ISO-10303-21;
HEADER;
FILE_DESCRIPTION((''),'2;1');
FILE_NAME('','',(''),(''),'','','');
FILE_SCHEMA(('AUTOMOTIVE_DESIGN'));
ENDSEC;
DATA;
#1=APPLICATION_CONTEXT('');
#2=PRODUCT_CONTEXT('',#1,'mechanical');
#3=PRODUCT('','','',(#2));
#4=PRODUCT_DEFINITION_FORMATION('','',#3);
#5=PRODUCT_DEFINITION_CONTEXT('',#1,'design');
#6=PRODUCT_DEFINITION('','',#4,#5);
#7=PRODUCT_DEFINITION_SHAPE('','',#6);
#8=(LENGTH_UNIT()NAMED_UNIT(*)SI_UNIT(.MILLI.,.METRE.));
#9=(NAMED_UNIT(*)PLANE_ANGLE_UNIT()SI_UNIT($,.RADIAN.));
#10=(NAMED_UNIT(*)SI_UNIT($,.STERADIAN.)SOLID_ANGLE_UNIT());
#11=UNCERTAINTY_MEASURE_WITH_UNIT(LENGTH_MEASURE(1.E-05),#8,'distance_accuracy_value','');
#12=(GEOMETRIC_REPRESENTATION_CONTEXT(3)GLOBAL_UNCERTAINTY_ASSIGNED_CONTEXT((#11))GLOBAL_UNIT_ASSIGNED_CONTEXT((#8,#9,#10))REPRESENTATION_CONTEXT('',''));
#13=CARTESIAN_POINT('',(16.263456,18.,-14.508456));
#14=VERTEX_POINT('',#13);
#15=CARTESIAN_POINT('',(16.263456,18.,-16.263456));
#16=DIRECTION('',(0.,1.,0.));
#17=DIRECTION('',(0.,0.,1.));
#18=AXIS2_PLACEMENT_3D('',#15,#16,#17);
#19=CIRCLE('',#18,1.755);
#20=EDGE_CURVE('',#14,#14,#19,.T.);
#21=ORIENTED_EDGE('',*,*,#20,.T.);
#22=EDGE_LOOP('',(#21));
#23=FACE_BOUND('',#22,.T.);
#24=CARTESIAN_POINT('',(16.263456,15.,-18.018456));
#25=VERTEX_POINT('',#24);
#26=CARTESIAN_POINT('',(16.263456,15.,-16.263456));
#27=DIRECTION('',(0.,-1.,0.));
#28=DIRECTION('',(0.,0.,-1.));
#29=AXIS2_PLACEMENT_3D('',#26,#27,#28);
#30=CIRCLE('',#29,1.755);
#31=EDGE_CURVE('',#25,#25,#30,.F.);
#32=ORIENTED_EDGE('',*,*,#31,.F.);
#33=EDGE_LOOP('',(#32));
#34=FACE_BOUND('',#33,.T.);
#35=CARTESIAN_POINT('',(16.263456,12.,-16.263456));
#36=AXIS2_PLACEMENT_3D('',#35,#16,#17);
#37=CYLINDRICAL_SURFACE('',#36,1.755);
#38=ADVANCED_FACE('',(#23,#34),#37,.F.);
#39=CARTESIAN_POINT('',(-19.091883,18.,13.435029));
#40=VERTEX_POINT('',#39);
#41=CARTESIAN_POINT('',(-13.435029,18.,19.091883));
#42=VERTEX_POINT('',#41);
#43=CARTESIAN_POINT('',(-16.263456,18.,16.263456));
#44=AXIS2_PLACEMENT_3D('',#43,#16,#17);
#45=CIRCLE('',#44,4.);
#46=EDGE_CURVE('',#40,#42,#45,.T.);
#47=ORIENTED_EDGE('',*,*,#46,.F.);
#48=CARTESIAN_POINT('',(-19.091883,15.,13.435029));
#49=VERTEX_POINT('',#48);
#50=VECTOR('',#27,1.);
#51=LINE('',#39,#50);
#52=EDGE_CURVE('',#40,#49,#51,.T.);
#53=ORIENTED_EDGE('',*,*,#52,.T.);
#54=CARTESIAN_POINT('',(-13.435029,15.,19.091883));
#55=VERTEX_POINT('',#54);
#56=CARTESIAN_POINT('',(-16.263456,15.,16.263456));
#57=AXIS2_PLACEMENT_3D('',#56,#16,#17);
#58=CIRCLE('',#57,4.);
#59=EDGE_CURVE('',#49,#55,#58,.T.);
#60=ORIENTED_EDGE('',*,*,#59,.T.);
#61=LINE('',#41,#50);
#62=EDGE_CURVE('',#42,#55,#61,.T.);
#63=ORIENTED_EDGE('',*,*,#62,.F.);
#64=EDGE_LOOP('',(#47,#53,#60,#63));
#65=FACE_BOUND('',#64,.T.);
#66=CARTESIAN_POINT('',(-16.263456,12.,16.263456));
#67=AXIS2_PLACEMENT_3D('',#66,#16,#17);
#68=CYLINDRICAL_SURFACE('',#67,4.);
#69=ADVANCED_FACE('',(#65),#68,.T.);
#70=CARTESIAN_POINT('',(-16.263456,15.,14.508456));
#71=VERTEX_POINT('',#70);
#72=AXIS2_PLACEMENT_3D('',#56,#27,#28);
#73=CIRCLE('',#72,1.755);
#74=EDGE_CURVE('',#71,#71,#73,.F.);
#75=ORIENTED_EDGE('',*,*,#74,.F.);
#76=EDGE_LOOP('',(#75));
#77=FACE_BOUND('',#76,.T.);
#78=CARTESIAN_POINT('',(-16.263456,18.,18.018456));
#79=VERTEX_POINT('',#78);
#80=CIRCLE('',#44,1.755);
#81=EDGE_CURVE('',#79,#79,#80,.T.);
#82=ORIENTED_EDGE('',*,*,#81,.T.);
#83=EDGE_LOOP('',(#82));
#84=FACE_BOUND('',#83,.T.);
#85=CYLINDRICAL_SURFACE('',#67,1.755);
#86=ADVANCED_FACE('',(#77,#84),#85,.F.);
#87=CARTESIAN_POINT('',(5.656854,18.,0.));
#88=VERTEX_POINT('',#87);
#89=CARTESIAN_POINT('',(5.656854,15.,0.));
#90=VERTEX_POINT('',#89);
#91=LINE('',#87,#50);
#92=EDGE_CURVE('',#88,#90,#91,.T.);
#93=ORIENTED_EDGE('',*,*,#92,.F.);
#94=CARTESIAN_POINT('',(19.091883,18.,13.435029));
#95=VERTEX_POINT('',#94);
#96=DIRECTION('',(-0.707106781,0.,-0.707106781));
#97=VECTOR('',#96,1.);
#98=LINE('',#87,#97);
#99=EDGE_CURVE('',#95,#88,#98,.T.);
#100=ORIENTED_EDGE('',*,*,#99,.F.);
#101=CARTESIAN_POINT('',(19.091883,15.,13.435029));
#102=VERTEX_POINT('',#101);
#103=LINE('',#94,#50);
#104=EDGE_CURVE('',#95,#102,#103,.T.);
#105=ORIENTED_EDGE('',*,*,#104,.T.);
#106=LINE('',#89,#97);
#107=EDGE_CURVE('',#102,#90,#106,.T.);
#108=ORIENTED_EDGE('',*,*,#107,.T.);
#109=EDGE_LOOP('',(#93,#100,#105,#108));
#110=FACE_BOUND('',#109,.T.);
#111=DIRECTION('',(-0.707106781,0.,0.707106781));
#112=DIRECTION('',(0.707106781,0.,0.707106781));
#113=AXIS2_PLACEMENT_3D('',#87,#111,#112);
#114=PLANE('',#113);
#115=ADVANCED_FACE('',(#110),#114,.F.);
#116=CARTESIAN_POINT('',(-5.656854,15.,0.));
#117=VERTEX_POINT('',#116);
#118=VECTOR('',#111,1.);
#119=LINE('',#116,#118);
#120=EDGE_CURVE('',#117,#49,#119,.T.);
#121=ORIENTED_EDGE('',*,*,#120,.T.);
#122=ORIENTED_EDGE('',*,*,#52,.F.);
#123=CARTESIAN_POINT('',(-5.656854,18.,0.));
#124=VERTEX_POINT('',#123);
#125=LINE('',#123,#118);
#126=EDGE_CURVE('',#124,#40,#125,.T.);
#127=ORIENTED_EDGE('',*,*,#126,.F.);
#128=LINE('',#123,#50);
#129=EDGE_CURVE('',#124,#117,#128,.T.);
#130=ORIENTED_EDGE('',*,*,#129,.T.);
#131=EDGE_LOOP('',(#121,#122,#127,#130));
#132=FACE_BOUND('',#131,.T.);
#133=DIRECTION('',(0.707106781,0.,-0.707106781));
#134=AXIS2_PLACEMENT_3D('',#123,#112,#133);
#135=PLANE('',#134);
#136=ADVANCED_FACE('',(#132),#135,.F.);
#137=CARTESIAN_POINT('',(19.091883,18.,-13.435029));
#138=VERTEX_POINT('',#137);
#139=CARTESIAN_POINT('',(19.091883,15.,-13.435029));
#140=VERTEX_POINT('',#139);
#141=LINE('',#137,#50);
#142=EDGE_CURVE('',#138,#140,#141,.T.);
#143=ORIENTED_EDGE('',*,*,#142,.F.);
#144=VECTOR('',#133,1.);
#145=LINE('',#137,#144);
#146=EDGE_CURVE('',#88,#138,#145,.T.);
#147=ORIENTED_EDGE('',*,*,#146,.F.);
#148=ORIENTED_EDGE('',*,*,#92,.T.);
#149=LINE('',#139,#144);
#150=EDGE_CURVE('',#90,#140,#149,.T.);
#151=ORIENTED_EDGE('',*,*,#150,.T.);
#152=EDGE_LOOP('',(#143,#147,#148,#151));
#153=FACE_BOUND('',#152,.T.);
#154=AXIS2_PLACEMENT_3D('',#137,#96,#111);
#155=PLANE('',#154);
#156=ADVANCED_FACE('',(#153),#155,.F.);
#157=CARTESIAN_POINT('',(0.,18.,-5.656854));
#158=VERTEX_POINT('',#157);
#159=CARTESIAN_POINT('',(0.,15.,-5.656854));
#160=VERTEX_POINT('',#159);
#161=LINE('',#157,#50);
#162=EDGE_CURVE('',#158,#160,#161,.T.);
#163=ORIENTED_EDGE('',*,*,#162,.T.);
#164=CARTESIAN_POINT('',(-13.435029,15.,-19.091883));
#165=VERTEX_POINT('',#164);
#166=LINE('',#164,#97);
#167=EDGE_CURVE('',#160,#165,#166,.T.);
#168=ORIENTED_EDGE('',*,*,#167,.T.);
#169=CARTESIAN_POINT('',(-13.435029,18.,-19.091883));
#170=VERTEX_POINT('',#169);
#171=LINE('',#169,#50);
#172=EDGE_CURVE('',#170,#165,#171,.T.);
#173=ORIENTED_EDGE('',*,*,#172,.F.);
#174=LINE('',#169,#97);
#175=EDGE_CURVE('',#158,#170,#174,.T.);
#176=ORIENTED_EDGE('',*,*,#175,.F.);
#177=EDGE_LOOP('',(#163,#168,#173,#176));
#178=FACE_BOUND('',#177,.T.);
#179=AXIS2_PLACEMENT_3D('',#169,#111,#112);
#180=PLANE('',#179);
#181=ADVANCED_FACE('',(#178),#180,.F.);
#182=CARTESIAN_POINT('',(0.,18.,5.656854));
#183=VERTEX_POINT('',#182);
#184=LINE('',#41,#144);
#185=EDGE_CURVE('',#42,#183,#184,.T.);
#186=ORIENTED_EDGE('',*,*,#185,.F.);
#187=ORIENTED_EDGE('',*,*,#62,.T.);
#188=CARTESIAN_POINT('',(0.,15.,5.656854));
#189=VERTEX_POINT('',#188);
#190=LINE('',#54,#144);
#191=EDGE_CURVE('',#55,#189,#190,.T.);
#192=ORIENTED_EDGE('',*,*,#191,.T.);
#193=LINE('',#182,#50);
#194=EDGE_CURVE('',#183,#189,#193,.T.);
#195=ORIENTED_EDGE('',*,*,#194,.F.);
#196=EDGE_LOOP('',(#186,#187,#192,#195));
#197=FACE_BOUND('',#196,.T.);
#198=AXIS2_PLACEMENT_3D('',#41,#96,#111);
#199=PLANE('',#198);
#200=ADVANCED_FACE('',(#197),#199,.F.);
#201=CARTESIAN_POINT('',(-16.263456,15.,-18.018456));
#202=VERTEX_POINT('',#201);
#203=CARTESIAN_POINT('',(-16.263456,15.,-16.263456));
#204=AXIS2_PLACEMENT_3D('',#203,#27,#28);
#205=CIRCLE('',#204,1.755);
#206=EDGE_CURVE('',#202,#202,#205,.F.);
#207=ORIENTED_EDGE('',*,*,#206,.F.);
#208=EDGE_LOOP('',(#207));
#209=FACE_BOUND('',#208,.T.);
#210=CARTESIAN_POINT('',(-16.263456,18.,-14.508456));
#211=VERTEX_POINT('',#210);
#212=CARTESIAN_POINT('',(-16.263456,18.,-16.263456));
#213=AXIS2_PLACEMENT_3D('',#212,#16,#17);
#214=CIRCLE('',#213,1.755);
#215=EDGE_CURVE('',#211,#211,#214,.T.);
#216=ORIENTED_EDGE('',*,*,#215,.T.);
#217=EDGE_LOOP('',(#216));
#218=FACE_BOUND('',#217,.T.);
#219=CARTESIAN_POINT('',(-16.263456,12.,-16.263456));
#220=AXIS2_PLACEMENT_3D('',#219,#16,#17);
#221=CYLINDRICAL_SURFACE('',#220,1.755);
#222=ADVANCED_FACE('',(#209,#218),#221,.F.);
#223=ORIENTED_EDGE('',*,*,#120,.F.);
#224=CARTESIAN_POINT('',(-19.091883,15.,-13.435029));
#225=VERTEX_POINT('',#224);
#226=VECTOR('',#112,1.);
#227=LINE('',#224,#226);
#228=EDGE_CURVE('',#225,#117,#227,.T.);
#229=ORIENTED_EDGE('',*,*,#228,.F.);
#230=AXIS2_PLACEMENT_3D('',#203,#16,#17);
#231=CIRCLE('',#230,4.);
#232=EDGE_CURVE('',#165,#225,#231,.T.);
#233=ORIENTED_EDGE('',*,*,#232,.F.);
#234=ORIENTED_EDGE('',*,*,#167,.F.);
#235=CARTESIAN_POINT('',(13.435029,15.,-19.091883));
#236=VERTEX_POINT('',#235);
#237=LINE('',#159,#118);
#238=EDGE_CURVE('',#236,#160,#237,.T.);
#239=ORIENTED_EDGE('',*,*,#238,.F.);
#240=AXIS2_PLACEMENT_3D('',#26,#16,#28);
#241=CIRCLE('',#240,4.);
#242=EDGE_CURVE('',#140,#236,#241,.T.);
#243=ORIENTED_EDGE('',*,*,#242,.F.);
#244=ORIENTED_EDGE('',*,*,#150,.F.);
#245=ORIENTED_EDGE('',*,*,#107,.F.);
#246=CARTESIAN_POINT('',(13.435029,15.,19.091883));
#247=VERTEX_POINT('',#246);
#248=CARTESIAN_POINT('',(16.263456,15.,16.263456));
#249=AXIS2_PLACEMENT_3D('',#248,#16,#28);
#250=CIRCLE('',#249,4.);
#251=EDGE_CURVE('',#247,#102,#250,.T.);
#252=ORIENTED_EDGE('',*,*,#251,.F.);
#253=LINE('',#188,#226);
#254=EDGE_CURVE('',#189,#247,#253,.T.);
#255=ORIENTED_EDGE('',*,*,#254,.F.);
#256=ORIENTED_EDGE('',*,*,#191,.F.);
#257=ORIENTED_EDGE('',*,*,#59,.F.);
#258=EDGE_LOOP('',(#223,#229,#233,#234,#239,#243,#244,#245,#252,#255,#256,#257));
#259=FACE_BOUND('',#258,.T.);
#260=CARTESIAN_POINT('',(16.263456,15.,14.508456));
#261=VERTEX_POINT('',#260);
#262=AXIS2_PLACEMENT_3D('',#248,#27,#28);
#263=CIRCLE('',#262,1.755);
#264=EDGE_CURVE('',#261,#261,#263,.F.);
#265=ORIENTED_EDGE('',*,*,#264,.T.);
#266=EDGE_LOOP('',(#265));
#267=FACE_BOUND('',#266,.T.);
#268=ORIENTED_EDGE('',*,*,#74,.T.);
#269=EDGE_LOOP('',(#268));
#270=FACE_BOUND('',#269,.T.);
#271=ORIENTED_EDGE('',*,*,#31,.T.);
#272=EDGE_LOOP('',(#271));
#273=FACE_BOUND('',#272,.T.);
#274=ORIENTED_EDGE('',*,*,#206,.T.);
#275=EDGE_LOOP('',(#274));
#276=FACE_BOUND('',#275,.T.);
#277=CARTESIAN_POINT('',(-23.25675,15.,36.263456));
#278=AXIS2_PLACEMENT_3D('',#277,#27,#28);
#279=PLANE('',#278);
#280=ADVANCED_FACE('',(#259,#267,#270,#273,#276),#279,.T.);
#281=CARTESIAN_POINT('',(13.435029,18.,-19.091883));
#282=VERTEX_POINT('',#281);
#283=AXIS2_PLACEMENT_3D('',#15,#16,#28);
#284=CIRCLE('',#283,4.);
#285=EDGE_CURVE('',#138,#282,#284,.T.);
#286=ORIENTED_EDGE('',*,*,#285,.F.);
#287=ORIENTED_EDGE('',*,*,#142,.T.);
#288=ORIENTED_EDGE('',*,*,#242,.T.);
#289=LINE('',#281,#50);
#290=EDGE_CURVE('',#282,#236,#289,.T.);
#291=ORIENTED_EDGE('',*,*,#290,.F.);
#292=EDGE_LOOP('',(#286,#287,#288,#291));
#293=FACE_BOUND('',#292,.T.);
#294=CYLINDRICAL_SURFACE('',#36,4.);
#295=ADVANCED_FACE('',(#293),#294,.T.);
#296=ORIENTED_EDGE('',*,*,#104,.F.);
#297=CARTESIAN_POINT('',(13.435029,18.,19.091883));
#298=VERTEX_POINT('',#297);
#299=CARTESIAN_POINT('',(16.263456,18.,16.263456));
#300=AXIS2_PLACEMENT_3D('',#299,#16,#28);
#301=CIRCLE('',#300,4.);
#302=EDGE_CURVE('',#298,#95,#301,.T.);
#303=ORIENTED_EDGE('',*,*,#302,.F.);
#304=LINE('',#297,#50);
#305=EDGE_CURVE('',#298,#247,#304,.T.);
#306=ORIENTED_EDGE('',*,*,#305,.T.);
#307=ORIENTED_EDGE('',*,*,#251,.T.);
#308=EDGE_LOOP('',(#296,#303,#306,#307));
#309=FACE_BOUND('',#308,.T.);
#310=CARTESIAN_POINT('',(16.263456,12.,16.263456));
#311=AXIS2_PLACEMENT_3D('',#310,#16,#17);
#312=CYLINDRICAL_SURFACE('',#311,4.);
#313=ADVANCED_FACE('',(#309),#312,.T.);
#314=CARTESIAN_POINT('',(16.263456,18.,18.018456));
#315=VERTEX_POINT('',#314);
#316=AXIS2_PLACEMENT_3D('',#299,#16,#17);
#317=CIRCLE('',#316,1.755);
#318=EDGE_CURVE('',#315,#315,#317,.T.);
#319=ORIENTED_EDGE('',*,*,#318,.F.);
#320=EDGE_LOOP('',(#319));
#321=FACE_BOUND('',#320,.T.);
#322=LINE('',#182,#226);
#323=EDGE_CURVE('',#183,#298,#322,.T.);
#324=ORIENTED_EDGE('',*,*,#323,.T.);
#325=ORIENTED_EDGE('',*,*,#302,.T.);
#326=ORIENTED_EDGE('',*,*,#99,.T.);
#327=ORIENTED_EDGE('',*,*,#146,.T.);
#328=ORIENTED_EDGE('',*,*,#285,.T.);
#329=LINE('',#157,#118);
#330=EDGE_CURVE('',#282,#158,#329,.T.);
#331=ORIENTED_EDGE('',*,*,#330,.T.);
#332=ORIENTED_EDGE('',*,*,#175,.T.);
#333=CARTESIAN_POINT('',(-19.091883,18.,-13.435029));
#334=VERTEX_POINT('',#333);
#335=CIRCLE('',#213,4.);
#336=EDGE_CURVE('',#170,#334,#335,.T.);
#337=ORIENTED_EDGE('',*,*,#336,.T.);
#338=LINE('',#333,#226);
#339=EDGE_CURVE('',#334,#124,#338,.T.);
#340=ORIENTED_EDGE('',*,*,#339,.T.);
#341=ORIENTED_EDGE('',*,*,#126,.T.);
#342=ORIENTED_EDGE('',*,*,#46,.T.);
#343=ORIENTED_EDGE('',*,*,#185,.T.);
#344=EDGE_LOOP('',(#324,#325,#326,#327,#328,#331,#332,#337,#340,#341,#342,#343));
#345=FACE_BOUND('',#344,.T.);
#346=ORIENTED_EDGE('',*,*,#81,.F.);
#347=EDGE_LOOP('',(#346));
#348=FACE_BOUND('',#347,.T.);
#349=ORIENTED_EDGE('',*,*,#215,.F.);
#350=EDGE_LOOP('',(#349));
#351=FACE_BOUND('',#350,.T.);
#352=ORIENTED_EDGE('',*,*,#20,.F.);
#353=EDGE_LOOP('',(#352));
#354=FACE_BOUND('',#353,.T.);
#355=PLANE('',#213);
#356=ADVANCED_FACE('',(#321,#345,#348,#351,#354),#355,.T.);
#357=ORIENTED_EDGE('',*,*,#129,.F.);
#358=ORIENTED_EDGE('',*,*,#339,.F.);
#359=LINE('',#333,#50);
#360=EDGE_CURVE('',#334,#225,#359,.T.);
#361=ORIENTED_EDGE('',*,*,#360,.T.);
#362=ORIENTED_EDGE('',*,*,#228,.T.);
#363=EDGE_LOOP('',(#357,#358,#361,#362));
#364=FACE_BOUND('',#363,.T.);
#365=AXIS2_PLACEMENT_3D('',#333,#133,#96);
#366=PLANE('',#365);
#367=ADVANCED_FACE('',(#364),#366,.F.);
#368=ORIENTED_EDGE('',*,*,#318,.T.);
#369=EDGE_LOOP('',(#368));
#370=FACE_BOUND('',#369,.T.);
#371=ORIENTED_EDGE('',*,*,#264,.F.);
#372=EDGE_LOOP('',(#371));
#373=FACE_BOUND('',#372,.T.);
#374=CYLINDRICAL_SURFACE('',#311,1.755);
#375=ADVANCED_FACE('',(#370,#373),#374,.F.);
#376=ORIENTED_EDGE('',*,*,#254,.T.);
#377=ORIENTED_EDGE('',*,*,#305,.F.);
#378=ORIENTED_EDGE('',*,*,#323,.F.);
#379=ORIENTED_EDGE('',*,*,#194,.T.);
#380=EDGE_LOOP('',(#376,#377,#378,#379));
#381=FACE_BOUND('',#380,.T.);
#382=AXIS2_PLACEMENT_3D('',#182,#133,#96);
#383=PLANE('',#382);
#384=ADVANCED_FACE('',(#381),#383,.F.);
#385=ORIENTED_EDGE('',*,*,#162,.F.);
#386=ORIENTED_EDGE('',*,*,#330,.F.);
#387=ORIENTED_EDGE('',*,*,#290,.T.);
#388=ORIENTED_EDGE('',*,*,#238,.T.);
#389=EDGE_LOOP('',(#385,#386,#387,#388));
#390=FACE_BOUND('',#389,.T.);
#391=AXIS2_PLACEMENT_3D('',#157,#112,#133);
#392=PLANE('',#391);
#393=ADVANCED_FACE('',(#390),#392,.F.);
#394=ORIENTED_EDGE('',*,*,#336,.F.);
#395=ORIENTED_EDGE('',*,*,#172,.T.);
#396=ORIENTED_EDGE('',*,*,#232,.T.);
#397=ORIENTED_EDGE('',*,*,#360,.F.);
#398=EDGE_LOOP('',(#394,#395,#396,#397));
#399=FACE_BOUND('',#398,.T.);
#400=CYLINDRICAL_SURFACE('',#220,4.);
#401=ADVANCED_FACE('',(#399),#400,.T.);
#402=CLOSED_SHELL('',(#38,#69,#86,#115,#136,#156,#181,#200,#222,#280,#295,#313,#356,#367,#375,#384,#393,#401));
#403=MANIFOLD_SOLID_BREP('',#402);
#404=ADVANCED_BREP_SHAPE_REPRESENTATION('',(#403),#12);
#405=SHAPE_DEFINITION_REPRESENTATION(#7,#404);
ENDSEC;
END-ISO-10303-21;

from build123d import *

# Parameters (mm, degrees)
SKETCH1_R                = 11.9
SKETCH1_R_2              = 9.9
BOSS_EXTRUDE3_DEPTH      = 15
SKETCH4_R                = 9.9
BOSS_EXTRUDE4_DEPTH      = 5.1
BOSS_EXTRUDE8_START      = -3
SKETCH12_R               = 19
SKETCH12_R_2             = 11.9
BOSS_EXTRUDE8_DEPTH      = 3
SKETCH14_R               = 1.755
CUT_EXTRUDE4_DEPTH       = 3
CUT_EXTRUDE5_DEPTH       = 25
CUT_EXTRUDE5_DEPTH_BACK  = 20
SKETCH15_W               = 38
SKETCH15_H               = 16.079993569
BOSS_EXTRUDE9_START      = -3
SKETCH16_R               = 9.9
BOSS_EXTRUDE9_DEPTH      = 3
BOSS_EXTRUDE10_START     = -3
SKETCH17_W               = 40
SKETCH17_H               = 40
SKETCH17_R               = 19
BOSS_EXTRUDE10_DEPTH     = 3
SKETCH20_W               = 60
SKETCH20_H               = 60
SKETCH20_W_2             = 40
SKETCH20_H_2             = 40
BOSS_EXTRUDE11_DEPTH     = 3
SKETCH21_R               = 1.755
CUT_EXTRUDE7_DEPTH       = 3
SKETCH23_W               = 60
SKETCH23_H               = 60
CUT_EXTRUDE9_DEPTH       = 3
BOSS_EXTRUDE12_START     = 3
SKETCH24_R               = 1.755
BOSS_EXTRUDE12_DEPTH     = 3
CUT_EXTRUDE10_DEPTH      = 16
CUT_EXTRUDE10_DEPTH_BACK = 42
SKETCH25_W               = 54.545590819
SKETCH25_H               = 6.512587561


with BuildPart() as part:
    # Sketch1 → Boss-Extrude3 (new body)
    with BuildSketch(Plane(origin=(0, 0, 0), x_dir=(1, 0, 0), z_dir=(0, 1, 0))):
        with Locations(Location((0, 0, 0), (0, 0, 270))):
            Circle(SKETCH1_R)
        with Locations(Location((0, 0, 0), (0, 0, 270))):
            Circle(SKETCH1_R_2, mode=Mode.SUBTRACT)
    extrude(amount=BOSS_EXTRUDE3_DEPTH)

    # Sketch4 → Boss-Extrude4 (add)
    with BuildSketch(Plane.XZ):
        with Locations(Location((0, 0, 0), (0, 0, 270))):
            Circle(SKETCH4_R)
    extrude(amount=-BOSS_EXTRUDE4_DEPTH)

    # Sketch7 → Cut-Revolve2 (revolve, cut)
    with BuildSketch(Plane(origin=(0, 0, 0), x_dir=(0, 0, -1), z_dir=(1, 0, 0))):
        with BuildLine():
            Line((0, 15), (0, -4.8))
            ThreePointArc((0, -4.8), (9.9, 5.1), (0, 15))
        make_face()
    revolve(axis=Axis((0, 15, 0), (0, -1, 0)), mode=Mode.SUBTRACT)

    # Sketch12 → Boss-Extrude8 (add)
    with BuildSketch(Plane(origin=(0, 15, 0), x_dir=(1, 0, 0), z_dir=(0, 1, 0)).offset(BOSS_EXTRUDE8_START)):
        with Locations(Location((0, 0, 0), (0, 0, 270))):
            Circle(SKETCH12_R)
        with Locations(Location((0, 0, 0), (0, 0, 270))):
            Circle(SKETCH12_R_2, mode=Mode.SUBTRACT)
    extrude(amount=BOSS_EXTRUDE8_DEPTH)

    # Sketch14 → Cut-Extrude4 (cut)
    with BuildSketch(Plane(origin=(0, 15, 0), x_dir=(1, 0, 0), z_dir=(0, 1, 0))):
        with Locations(Location((0, 15.15, 0), (0, 0, 270))):
            Circle(SKETCH14_R)
        with Locations(Location((-15.15, 0, 0), (0, 0, 270))):
            Circle(SKETCH14_R)
        with Locations(Location((0, -15.15, 0), (0, 0, 270))):
            Circle(SKETCH14_R)
        with Locations(Location((15.15, 0, 0), (0, 0, 270))):
            Circle(SKETCH14_R)
    extrude(amount=-CUT_EXTRUDE4_DEPTH, mode=Mode.SUBTRACT)

    # Sketch15 → Cut-Extrude5 (cut, two sides: drawn at the far end of the back side and taken through both)
    with BuildSketch(Plane(origin=(0, 0, 0), x_dir=(0, 0, -1), z_dir=(1, 0, 0)).offset(-CUT_EXTRUDE5_DEPTH_BACK)):
        with Locations((0, 3.960003216)):
            Rectangle(SKETCH15_W, SKETCH15_H)
    extrude(amount=CUT_EXTRUDE5_DEPTH + CUT_EXTRUDE5_DEPTH_BACK, mode=Mode.SUBTRACT)

    # Sketch16 → Boss-Extrude9 (add)
    with BuildSketch(Plane(origin=(0, 15, 0), x_dir=(1, 0, 0), z_dir=(0, 1, 0)).offset(BOSS_EXTRUDE9_START)):
        Circle(SKETCH16_R)
    extrude(amount=BOSS_EXTRUDE9_DEPTH)

    # Sketch17 → Boss-Extrude10 (add)
    with BuildSketch(Plane(origin=(0, 15, 0), x_dir=(1, 0, 0), z_dir=(0, 1, 0)).offset(BOSS_EXTRUDE10_START)):
        Rectangle(SKETCH17_W, SKETCH17_H)
        Circle(SKETCH17_R, mode=Mode.SUBTRACT)
    extrude(amount=BOSS_EXTRUDE10_DEPTH)

    # Sketch20 → Boss-Extrude11 (add)
    with BuildSketch(Plane(origin=(0, 15, 0), x_dir=(1, 0, 0), z_dir=(0, 1, 0))):
        Rectangle(SKETCH20_W, SKETCH20_H)
        Rectangle(SKETCH20_W_2, SKETCH20_H_2, mode=Mode.SUBTRACT)
    extrude(amount=-BOSS_EXTRUDE11_DEPTH)

    # Sketch21 → Cut-Extrude7 (cut)
    with BuildSketch(Plane(origin=(0, 15, 0), x_dir=(1, 0, 0), z_dir=(0, 1, 0))):
        with Locations(Location((-16.263455967, 16.263455967, 0), (0, 0, 270))):
            Circle(SKETCH21_R)
        with Locations(Location((-16.263455967, -16.263455967, 0), (0, 0, 270))):
            Circle(SKETCH21_R)
        with Locations(Location((16.263455967, 16.263455967, 0), (0, 0, 270))):
            Circle(SKETCH21_R)
        with Locations(Location((16.263455967, -16.263455967, 0), (0, 0, 270))):
            Circle(SKETCH21_R)
    extrude(amount=-CUT_EXTRUDE7_DEPTH, mode=Mode.SUBTRACT)

    # Sketch23 → Cut-Extrude9 (cut)
    with BuildSketch(Plane(origin=(0, 15, 0), x_dir=(1, 0, 0), z_dir=(0, 1, 0))):
        Rectangle(SKETCH23_W, SKETCH23_H)
        with BuildLine():
            Line((-20.263455967, -16.263455967), (-20.263455967, 16.263455967))
            ThreePointArc((-20.263455967, 16.263455967), (-19.091883092, 19.091883092), (-16.263455967, 20.263455967))
            Line((-16.263455967, 20.263455967), (16.263455967, 20.263455967))
            ThreePointArc((16.263455967, 20.263455967), (19.091883092, 19.091883092), (20.263455967, 16.263455967))
            Line((20.263455967, 16.263455967), (20.263455967, -16.263455967))
            ThreePointArc((20.263455967, -16.263455967), (19.091883092, -19.091883092), (16.263455967, -20.263455967))
            Line((16.263455967, -20.263455967), (-16.263455967, -20.263455967))
            ThreePointArc((-16.263455967, -20.263455967), (-19.091883092, -19.091883092), (-20.263455967, -16.263455967))
        make_face(mode=Mode.SUBTRACT)
    extrude(amount=-CUT_EXTRUDE9_DEPTH, mode=Mode.SUBTRACT)

    # Sketch24 → Boss-Extrude12 (add)
    with BuildSketch(Plane(origin=(0, 15, 0), x_dir=(1, 0, 0), z_dir=(0, 1, 0)).offset(BOSS_EXTRUDE12_START)):
        with BuildLine():
            Line((-19.091883092, 13.435028843), (-5.656854249, 0))
            Line((-5.656854249, 0), (-19.091883092, -13.435028843))
            ThreePointArc((-19.091883092, -13.435028843), (-19.091883092, -19.091883092), (-13.435028843, -19.091883092))
            Line((-13.435028843, -19.091883092), (0, -5.656854249))
            Line((0, -5.656854249), (13.435028843, -19.091883092))
            ThreePointArc((13.435028843, -19.091883092), (19.091883092, -19.091883092), (19.091883092, -13.435028843))
            Line((19.091883092, -13.435028843), (5.656854249, 0))
            Line((5.656854249, 0), (19.091883092, 13.435028843))
            ThreePointArc((19.091883092, 13.435028843), (19.091883092, 19.091883092), (13.435028843, 19.091883092))
            Line((13.435028843, 19.091883092), (0, 5.656854249))
            Line((0, 5.656854249), (-13.435028843, 19.091883092))
            ThreePointArc((-13.435028843, 19.091883092), (-19.091883092, 19.091883092), (-19.091883092, 13.435028843))
        make_face()
        with Locations(Location((-16.263455967, 16.263455967, 0), (0, 0, 270))):
            Circle(SKETCH24_R, mode=Mode.SUBTRACT)
        with Locations(Location((16.263455967, 16.263455967, 0), (0, 0, 270))):
            Circle(SKETCH24_R, mode=Mode.SUBTRACT)
        with Locations(Location((16.263455967, -16.263455967, 0), (0, 0, 270))):
            Circle(SKETCH24_R, mode=Mode.SUBTRACT)
        with Locations(Location((-16.263455967, -16.263455967, 0), (0, 0, 270))):
            Circle(SKETCH24_R, mode=Mode.SUBTRACT)
    extrude(amount=-BOSS_EXTRUDE12_DEPTH)

    # Sketch25 → Cut-Extrude10 (cut, two sides: drawn at the far end of the back side and taken through both)
    with BuildSketch(Plane.XY.offset(20.263455967).offset(-CUT_EXTRUDE10_DEPTH_BACK)):
        with Locations((4.016045733, 11.74370622)):
            Rectangle(SKETCH25_W, SKETCH25_H)
    extrude(amount=CUT_EXTRUDE10_DEPTH + CUT_EXTRUDE10_DEPTH_BACK, mode=Mode.SUBTRACT)


solid = part.part
